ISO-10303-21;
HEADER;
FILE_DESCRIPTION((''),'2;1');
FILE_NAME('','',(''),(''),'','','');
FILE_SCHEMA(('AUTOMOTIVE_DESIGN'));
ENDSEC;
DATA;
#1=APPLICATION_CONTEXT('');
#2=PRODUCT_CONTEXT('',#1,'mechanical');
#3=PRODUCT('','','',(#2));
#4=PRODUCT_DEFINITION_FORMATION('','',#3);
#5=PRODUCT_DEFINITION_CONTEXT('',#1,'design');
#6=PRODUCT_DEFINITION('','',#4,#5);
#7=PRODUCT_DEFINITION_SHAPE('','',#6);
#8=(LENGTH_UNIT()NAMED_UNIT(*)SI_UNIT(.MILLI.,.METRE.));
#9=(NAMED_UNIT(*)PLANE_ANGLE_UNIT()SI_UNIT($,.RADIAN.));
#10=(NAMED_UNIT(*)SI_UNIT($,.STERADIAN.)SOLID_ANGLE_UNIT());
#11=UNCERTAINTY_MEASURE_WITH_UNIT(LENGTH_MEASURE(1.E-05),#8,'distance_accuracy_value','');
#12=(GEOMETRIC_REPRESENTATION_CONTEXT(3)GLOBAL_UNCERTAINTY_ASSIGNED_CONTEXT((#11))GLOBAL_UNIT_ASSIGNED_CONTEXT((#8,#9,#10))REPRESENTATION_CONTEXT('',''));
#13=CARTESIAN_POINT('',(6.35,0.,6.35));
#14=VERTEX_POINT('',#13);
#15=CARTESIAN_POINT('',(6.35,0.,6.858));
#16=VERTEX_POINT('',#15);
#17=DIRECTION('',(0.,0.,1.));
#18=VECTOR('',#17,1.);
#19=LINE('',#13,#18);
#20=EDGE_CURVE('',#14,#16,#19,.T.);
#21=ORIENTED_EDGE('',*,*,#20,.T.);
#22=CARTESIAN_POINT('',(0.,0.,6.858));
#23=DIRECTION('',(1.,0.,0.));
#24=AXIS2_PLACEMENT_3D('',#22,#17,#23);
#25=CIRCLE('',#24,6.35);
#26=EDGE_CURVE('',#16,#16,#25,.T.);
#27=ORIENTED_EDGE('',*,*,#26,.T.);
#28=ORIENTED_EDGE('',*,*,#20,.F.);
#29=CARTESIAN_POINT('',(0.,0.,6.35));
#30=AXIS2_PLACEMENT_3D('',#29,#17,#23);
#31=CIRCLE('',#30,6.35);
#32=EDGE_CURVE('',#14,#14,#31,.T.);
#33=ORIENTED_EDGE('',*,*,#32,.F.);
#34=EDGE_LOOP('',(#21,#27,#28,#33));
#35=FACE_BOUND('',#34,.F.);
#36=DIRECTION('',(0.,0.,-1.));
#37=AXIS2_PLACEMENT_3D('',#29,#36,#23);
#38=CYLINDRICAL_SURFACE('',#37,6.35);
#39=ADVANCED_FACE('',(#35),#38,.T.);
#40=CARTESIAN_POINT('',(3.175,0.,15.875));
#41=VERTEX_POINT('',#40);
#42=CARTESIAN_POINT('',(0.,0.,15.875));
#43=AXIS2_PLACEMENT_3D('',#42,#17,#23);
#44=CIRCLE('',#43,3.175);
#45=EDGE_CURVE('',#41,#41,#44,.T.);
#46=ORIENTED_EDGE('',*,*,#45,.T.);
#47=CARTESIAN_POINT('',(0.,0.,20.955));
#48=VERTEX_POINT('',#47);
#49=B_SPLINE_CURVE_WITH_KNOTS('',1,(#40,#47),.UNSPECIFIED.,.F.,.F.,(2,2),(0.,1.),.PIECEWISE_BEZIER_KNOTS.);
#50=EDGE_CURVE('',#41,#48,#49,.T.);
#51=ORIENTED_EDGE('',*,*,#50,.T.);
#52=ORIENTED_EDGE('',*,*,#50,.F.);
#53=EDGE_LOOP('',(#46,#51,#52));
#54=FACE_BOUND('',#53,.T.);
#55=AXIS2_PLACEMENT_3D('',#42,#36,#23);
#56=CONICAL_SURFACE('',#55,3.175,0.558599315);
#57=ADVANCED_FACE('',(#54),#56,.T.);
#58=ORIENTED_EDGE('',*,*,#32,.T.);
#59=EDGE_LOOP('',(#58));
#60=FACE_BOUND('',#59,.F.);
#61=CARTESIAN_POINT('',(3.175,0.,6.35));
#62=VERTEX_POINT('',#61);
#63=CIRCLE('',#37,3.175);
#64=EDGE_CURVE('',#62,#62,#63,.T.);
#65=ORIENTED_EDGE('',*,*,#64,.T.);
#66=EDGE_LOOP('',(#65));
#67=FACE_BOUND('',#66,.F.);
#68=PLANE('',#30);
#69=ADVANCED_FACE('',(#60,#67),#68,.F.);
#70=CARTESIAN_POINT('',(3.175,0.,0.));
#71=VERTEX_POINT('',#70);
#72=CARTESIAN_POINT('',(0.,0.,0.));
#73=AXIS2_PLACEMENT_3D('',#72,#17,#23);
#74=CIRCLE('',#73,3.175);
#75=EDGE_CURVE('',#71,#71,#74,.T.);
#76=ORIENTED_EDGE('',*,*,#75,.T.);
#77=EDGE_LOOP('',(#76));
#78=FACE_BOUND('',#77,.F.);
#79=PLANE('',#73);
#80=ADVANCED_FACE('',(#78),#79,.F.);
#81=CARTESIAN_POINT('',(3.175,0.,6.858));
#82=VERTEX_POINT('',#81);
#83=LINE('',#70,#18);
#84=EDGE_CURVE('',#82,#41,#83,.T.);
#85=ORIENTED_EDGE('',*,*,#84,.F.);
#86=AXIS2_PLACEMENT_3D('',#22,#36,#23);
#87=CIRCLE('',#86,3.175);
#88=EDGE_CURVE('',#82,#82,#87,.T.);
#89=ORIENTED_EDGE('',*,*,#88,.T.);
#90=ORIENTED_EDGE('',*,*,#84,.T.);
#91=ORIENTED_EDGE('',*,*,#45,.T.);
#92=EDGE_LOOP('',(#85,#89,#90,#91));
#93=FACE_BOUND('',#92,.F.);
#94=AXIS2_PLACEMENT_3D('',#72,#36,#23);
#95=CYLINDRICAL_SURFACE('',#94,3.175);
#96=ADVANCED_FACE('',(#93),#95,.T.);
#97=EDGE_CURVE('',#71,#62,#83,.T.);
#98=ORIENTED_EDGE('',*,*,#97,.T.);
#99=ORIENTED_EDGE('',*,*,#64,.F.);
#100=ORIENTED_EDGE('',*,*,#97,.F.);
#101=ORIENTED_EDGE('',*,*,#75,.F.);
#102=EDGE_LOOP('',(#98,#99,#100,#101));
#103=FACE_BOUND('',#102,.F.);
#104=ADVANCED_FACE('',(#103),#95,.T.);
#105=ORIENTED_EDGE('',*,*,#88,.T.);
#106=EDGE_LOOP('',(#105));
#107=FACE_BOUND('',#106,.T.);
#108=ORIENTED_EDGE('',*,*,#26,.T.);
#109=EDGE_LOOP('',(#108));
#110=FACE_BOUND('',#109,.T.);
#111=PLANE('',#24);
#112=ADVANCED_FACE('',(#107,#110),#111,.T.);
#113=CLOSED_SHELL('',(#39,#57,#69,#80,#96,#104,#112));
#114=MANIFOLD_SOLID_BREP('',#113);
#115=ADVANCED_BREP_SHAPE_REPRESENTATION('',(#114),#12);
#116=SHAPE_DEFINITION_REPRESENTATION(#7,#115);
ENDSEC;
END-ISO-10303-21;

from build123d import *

# Parameters (mm, degrees)
F0_R      = 3.175
F1_DEPTH  = 15.875
F3_R      = 6.35
F4_DEPTH  = 0.508
F1_FACE_R = 3.175


with BuildPart() as f1:
    # F0 (on Top) → F1 (new body)
    with BuildSketch(Plane.XY):
        Circle(F0_R)
    extrude(amount=F1_DEPTH)

    # F3 (on offset) → F4 (join)
    with BuildSketch(Plane.XY.offset(6.35)):
        Circle(F3_R)
    extrude(amount=F4_DEPTH)

    # F1_face (on face) → F7 section 0
    with BuildSketch(Plane.XY.offset(15.875), mode=Mode.PRIVATE) as f7_s0:
        Circle(F1_FACE_R)
    loft([f7_s0.sketch, Vertex(0, 0, 20.955)])


solid = f1.part
